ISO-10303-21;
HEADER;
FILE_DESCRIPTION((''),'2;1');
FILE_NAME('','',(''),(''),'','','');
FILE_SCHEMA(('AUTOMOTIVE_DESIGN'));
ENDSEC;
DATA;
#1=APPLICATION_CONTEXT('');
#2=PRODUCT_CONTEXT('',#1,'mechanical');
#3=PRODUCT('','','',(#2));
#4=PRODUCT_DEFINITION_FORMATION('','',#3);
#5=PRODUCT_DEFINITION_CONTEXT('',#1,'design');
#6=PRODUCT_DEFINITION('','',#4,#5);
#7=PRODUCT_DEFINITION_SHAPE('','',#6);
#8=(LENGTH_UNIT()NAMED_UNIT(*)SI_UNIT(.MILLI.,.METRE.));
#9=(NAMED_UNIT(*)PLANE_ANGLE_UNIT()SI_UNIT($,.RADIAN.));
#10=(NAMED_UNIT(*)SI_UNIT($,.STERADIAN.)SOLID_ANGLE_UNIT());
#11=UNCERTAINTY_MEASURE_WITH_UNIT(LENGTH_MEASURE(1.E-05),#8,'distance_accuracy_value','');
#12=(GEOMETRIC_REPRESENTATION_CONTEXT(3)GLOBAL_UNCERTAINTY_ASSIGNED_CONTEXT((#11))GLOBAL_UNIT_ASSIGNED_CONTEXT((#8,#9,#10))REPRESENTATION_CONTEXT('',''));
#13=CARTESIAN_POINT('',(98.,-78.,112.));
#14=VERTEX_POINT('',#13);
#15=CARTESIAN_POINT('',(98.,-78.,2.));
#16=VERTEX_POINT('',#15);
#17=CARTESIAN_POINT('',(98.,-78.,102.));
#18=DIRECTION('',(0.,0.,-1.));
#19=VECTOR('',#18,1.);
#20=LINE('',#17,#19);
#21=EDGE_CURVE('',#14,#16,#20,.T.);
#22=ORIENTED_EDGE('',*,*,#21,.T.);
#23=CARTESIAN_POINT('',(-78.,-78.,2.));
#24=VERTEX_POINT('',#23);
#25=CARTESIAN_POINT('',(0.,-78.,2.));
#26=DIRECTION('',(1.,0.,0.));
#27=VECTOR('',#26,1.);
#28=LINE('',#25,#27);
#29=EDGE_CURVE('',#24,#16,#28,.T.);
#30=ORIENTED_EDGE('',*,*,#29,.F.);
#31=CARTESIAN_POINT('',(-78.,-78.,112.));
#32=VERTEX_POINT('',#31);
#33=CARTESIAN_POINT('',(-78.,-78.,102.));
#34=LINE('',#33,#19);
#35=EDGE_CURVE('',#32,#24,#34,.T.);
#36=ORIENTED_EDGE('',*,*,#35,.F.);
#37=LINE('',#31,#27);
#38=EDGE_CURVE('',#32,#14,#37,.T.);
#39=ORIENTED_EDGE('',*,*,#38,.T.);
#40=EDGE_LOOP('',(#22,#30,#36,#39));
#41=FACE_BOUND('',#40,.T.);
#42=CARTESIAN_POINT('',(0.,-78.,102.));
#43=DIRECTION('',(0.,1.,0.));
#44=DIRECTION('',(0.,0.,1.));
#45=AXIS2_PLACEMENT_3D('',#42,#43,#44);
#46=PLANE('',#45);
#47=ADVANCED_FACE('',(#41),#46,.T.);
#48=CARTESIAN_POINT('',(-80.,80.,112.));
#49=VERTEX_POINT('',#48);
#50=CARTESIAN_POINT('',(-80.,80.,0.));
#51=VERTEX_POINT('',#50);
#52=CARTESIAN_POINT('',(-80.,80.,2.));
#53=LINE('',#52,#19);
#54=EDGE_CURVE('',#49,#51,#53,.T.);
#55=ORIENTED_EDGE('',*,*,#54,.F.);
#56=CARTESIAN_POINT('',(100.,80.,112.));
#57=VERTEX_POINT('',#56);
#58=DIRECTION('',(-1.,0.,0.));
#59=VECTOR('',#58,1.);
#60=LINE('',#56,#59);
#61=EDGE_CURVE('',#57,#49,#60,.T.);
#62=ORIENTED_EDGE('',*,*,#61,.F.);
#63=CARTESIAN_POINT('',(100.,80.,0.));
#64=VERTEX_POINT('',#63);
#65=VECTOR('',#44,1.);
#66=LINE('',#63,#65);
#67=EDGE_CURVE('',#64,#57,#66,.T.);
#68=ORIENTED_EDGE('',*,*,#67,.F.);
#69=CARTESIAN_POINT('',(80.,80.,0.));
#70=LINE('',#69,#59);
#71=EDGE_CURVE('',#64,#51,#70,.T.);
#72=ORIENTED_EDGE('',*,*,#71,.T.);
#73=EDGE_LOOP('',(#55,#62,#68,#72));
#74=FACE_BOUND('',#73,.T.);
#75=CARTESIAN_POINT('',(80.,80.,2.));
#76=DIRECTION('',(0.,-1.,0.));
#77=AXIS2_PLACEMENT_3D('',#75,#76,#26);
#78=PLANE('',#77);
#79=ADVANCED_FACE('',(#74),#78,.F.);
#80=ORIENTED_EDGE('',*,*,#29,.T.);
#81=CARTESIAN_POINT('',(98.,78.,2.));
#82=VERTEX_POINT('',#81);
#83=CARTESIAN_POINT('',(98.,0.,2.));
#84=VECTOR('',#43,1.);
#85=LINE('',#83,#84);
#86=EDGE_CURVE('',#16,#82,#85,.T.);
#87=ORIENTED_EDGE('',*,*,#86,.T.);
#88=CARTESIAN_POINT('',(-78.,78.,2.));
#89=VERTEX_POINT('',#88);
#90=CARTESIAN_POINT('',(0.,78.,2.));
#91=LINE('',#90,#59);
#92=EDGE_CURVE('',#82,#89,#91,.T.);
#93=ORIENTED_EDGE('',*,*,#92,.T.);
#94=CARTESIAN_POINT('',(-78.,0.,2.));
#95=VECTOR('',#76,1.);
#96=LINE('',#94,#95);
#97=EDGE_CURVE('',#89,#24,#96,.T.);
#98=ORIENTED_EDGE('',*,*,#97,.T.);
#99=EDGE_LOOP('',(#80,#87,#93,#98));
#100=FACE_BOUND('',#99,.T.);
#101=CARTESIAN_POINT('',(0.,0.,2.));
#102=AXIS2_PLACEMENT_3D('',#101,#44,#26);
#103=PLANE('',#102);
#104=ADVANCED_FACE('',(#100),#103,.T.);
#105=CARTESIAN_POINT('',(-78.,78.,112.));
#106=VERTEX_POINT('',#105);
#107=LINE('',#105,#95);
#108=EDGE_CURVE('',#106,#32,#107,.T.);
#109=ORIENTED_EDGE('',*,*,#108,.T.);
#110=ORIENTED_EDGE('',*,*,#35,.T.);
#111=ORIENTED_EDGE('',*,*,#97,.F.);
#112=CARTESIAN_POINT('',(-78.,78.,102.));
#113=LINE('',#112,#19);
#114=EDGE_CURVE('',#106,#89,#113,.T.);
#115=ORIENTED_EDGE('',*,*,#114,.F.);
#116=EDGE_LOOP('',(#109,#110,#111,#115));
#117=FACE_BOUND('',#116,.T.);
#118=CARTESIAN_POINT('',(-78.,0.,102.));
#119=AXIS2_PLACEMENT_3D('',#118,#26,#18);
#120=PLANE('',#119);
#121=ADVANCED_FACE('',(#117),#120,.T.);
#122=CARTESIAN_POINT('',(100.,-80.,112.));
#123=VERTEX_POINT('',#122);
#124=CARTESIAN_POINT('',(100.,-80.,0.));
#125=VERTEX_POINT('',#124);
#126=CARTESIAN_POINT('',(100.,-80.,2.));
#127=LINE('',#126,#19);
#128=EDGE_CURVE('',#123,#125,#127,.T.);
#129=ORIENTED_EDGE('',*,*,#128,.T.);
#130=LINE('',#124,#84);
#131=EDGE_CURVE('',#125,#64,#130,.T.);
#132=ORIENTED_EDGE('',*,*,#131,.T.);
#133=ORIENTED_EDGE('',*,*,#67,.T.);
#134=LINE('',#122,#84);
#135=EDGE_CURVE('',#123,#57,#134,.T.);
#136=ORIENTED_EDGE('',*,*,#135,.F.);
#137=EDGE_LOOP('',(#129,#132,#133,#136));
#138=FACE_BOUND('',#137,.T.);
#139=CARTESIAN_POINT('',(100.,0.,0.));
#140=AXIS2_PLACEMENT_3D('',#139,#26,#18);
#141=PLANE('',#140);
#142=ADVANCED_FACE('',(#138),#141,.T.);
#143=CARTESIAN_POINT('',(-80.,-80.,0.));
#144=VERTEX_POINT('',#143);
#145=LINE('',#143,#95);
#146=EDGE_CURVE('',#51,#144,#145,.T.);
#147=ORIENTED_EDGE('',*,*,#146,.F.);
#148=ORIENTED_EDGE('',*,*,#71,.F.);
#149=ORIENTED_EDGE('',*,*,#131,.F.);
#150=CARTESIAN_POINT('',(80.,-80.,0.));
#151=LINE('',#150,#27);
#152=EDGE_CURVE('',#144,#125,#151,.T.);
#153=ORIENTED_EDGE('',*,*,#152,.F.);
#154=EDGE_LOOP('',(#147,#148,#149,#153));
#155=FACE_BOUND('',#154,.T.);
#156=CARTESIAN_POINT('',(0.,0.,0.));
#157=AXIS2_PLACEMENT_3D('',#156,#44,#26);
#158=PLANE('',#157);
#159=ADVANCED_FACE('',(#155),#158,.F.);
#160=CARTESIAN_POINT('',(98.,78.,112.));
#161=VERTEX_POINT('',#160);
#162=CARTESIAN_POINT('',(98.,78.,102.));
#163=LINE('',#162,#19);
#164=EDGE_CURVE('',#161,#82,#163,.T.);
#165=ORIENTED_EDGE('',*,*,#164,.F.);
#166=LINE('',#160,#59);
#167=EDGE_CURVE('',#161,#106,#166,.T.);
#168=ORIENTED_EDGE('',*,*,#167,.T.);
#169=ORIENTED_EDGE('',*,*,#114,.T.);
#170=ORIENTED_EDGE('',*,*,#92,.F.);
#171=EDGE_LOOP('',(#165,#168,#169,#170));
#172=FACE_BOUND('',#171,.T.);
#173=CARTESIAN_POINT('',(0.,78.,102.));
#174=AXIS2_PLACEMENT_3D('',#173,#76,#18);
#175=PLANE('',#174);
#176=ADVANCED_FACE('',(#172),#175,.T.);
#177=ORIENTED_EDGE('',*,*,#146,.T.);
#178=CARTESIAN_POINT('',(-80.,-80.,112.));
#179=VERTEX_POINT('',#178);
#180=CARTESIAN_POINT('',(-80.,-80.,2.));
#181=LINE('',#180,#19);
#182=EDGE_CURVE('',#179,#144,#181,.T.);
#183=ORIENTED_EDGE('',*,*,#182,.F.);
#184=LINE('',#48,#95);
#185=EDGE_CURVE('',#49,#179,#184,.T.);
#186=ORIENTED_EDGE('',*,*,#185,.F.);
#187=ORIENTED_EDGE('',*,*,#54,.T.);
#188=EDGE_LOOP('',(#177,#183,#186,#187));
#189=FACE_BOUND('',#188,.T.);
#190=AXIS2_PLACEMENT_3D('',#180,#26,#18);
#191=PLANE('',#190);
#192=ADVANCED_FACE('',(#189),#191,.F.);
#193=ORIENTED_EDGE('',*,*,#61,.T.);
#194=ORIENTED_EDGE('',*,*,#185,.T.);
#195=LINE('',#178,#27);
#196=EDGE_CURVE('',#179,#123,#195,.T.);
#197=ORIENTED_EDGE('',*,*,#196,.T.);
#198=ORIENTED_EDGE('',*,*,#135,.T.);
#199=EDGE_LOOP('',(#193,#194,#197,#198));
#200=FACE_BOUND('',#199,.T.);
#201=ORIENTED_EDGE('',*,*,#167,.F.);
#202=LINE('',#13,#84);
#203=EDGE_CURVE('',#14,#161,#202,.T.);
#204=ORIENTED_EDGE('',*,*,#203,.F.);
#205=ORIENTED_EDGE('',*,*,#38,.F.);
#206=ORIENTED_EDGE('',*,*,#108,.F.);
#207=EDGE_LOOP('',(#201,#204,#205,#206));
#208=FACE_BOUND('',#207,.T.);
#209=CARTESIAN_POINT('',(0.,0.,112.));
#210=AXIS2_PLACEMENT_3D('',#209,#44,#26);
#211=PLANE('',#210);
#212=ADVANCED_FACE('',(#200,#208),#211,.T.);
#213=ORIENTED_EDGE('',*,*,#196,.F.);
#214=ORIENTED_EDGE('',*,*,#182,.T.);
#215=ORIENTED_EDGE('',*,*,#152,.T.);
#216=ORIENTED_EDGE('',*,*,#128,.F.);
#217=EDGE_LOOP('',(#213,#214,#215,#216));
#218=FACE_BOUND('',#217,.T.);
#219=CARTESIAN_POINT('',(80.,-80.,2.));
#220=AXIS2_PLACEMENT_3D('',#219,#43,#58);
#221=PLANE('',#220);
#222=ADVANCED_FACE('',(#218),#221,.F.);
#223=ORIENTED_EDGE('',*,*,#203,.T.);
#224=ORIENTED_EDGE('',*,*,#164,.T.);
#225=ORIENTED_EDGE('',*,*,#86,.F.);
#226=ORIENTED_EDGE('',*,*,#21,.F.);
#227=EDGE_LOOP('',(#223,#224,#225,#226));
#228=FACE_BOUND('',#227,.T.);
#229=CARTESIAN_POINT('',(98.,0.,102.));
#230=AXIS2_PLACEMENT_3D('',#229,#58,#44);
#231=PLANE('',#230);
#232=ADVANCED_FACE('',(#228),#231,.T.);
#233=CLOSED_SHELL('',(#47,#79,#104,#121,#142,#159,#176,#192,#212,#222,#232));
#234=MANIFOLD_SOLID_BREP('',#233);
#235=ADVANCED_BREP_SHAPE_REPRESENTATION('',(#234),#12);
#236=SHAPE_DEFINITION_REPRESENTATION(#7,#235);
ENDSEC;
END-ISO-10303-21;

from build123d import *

# Parameters (mm, degrees)
SKETCH2_W           = 160
SKETCH2_H           = 160
BOSS_EXTRUDE1_DEPTH = 2
SKETCH4_W           = 2
SKETCH4_H           = 160
BOSS_EXTRUDE3_DEPTH = 20
SKETCH5_W           = 180
SKETCH5_H           = 160
SKETCH5_W_2         = 176
SKETCH5_H_2         = 156
BOSS_EXTRUDE5_DEPTH = 100
SKETCH6_W           = 180
SKETCH6_H           = 160
SKETCH6_W_2         = 176
SKETCH6_H_2         = 156
BOSS_EXTRUDE6_DEPTH = 10


with BuildPart() as part:
    # Sketch2 → Boss-Extrude1 (new body)
    with BuildSketch(Plane.XY):
        Rectangle(SKETCH2_W, SKETCH2_H)
    extrude(amount=BOSS_EXTRUDE1_DEPTH)

    # Sketch4 → Boss-Extrude3 (add)
    with BuildSketch(Plane(origin=(80, 0, 0), x_dir=(0, 0, -1), z_dir=(1, 0, 0))):
        with Locations((-1, 0)):
            Rectangle(SKETCH4_W, SKETCH4_H)
    extrude(amount=BOSS_EXTRUDE3_DEPTH)

    # Sketch5 → Boss-Extrude5 (add)
    with BuildSketch(Plane.XY.offset(2)):
        with Locations((10, 0)):
            Rectangle(SKETCH5_W, SKETCH5_H)
        with Locations((10, 0)):
            Rectangle(SKETCH5_W_2, SKETCH5_H_2, mode=Mode.SUBTRACT)
    extrude(amount=BOSS_EXTRUDE5_DEPTH)

    # Sketch6 → Boss-Extrude6 (add)
    with BuildSketch(Plane.XY.offset(102)):
        with Locations((10, 0)):
            Rectangle(SKETCH6_W, SKETCH6_H)
        with Locations((10, 0)):
            Rectangle(SKETCH6_W_2, SKETCH6_H_2, mode=Mode.SUBTRACT)
    extrude(amount=BOSS_EXTRUDE6_DEPTH)


solid = part.part
